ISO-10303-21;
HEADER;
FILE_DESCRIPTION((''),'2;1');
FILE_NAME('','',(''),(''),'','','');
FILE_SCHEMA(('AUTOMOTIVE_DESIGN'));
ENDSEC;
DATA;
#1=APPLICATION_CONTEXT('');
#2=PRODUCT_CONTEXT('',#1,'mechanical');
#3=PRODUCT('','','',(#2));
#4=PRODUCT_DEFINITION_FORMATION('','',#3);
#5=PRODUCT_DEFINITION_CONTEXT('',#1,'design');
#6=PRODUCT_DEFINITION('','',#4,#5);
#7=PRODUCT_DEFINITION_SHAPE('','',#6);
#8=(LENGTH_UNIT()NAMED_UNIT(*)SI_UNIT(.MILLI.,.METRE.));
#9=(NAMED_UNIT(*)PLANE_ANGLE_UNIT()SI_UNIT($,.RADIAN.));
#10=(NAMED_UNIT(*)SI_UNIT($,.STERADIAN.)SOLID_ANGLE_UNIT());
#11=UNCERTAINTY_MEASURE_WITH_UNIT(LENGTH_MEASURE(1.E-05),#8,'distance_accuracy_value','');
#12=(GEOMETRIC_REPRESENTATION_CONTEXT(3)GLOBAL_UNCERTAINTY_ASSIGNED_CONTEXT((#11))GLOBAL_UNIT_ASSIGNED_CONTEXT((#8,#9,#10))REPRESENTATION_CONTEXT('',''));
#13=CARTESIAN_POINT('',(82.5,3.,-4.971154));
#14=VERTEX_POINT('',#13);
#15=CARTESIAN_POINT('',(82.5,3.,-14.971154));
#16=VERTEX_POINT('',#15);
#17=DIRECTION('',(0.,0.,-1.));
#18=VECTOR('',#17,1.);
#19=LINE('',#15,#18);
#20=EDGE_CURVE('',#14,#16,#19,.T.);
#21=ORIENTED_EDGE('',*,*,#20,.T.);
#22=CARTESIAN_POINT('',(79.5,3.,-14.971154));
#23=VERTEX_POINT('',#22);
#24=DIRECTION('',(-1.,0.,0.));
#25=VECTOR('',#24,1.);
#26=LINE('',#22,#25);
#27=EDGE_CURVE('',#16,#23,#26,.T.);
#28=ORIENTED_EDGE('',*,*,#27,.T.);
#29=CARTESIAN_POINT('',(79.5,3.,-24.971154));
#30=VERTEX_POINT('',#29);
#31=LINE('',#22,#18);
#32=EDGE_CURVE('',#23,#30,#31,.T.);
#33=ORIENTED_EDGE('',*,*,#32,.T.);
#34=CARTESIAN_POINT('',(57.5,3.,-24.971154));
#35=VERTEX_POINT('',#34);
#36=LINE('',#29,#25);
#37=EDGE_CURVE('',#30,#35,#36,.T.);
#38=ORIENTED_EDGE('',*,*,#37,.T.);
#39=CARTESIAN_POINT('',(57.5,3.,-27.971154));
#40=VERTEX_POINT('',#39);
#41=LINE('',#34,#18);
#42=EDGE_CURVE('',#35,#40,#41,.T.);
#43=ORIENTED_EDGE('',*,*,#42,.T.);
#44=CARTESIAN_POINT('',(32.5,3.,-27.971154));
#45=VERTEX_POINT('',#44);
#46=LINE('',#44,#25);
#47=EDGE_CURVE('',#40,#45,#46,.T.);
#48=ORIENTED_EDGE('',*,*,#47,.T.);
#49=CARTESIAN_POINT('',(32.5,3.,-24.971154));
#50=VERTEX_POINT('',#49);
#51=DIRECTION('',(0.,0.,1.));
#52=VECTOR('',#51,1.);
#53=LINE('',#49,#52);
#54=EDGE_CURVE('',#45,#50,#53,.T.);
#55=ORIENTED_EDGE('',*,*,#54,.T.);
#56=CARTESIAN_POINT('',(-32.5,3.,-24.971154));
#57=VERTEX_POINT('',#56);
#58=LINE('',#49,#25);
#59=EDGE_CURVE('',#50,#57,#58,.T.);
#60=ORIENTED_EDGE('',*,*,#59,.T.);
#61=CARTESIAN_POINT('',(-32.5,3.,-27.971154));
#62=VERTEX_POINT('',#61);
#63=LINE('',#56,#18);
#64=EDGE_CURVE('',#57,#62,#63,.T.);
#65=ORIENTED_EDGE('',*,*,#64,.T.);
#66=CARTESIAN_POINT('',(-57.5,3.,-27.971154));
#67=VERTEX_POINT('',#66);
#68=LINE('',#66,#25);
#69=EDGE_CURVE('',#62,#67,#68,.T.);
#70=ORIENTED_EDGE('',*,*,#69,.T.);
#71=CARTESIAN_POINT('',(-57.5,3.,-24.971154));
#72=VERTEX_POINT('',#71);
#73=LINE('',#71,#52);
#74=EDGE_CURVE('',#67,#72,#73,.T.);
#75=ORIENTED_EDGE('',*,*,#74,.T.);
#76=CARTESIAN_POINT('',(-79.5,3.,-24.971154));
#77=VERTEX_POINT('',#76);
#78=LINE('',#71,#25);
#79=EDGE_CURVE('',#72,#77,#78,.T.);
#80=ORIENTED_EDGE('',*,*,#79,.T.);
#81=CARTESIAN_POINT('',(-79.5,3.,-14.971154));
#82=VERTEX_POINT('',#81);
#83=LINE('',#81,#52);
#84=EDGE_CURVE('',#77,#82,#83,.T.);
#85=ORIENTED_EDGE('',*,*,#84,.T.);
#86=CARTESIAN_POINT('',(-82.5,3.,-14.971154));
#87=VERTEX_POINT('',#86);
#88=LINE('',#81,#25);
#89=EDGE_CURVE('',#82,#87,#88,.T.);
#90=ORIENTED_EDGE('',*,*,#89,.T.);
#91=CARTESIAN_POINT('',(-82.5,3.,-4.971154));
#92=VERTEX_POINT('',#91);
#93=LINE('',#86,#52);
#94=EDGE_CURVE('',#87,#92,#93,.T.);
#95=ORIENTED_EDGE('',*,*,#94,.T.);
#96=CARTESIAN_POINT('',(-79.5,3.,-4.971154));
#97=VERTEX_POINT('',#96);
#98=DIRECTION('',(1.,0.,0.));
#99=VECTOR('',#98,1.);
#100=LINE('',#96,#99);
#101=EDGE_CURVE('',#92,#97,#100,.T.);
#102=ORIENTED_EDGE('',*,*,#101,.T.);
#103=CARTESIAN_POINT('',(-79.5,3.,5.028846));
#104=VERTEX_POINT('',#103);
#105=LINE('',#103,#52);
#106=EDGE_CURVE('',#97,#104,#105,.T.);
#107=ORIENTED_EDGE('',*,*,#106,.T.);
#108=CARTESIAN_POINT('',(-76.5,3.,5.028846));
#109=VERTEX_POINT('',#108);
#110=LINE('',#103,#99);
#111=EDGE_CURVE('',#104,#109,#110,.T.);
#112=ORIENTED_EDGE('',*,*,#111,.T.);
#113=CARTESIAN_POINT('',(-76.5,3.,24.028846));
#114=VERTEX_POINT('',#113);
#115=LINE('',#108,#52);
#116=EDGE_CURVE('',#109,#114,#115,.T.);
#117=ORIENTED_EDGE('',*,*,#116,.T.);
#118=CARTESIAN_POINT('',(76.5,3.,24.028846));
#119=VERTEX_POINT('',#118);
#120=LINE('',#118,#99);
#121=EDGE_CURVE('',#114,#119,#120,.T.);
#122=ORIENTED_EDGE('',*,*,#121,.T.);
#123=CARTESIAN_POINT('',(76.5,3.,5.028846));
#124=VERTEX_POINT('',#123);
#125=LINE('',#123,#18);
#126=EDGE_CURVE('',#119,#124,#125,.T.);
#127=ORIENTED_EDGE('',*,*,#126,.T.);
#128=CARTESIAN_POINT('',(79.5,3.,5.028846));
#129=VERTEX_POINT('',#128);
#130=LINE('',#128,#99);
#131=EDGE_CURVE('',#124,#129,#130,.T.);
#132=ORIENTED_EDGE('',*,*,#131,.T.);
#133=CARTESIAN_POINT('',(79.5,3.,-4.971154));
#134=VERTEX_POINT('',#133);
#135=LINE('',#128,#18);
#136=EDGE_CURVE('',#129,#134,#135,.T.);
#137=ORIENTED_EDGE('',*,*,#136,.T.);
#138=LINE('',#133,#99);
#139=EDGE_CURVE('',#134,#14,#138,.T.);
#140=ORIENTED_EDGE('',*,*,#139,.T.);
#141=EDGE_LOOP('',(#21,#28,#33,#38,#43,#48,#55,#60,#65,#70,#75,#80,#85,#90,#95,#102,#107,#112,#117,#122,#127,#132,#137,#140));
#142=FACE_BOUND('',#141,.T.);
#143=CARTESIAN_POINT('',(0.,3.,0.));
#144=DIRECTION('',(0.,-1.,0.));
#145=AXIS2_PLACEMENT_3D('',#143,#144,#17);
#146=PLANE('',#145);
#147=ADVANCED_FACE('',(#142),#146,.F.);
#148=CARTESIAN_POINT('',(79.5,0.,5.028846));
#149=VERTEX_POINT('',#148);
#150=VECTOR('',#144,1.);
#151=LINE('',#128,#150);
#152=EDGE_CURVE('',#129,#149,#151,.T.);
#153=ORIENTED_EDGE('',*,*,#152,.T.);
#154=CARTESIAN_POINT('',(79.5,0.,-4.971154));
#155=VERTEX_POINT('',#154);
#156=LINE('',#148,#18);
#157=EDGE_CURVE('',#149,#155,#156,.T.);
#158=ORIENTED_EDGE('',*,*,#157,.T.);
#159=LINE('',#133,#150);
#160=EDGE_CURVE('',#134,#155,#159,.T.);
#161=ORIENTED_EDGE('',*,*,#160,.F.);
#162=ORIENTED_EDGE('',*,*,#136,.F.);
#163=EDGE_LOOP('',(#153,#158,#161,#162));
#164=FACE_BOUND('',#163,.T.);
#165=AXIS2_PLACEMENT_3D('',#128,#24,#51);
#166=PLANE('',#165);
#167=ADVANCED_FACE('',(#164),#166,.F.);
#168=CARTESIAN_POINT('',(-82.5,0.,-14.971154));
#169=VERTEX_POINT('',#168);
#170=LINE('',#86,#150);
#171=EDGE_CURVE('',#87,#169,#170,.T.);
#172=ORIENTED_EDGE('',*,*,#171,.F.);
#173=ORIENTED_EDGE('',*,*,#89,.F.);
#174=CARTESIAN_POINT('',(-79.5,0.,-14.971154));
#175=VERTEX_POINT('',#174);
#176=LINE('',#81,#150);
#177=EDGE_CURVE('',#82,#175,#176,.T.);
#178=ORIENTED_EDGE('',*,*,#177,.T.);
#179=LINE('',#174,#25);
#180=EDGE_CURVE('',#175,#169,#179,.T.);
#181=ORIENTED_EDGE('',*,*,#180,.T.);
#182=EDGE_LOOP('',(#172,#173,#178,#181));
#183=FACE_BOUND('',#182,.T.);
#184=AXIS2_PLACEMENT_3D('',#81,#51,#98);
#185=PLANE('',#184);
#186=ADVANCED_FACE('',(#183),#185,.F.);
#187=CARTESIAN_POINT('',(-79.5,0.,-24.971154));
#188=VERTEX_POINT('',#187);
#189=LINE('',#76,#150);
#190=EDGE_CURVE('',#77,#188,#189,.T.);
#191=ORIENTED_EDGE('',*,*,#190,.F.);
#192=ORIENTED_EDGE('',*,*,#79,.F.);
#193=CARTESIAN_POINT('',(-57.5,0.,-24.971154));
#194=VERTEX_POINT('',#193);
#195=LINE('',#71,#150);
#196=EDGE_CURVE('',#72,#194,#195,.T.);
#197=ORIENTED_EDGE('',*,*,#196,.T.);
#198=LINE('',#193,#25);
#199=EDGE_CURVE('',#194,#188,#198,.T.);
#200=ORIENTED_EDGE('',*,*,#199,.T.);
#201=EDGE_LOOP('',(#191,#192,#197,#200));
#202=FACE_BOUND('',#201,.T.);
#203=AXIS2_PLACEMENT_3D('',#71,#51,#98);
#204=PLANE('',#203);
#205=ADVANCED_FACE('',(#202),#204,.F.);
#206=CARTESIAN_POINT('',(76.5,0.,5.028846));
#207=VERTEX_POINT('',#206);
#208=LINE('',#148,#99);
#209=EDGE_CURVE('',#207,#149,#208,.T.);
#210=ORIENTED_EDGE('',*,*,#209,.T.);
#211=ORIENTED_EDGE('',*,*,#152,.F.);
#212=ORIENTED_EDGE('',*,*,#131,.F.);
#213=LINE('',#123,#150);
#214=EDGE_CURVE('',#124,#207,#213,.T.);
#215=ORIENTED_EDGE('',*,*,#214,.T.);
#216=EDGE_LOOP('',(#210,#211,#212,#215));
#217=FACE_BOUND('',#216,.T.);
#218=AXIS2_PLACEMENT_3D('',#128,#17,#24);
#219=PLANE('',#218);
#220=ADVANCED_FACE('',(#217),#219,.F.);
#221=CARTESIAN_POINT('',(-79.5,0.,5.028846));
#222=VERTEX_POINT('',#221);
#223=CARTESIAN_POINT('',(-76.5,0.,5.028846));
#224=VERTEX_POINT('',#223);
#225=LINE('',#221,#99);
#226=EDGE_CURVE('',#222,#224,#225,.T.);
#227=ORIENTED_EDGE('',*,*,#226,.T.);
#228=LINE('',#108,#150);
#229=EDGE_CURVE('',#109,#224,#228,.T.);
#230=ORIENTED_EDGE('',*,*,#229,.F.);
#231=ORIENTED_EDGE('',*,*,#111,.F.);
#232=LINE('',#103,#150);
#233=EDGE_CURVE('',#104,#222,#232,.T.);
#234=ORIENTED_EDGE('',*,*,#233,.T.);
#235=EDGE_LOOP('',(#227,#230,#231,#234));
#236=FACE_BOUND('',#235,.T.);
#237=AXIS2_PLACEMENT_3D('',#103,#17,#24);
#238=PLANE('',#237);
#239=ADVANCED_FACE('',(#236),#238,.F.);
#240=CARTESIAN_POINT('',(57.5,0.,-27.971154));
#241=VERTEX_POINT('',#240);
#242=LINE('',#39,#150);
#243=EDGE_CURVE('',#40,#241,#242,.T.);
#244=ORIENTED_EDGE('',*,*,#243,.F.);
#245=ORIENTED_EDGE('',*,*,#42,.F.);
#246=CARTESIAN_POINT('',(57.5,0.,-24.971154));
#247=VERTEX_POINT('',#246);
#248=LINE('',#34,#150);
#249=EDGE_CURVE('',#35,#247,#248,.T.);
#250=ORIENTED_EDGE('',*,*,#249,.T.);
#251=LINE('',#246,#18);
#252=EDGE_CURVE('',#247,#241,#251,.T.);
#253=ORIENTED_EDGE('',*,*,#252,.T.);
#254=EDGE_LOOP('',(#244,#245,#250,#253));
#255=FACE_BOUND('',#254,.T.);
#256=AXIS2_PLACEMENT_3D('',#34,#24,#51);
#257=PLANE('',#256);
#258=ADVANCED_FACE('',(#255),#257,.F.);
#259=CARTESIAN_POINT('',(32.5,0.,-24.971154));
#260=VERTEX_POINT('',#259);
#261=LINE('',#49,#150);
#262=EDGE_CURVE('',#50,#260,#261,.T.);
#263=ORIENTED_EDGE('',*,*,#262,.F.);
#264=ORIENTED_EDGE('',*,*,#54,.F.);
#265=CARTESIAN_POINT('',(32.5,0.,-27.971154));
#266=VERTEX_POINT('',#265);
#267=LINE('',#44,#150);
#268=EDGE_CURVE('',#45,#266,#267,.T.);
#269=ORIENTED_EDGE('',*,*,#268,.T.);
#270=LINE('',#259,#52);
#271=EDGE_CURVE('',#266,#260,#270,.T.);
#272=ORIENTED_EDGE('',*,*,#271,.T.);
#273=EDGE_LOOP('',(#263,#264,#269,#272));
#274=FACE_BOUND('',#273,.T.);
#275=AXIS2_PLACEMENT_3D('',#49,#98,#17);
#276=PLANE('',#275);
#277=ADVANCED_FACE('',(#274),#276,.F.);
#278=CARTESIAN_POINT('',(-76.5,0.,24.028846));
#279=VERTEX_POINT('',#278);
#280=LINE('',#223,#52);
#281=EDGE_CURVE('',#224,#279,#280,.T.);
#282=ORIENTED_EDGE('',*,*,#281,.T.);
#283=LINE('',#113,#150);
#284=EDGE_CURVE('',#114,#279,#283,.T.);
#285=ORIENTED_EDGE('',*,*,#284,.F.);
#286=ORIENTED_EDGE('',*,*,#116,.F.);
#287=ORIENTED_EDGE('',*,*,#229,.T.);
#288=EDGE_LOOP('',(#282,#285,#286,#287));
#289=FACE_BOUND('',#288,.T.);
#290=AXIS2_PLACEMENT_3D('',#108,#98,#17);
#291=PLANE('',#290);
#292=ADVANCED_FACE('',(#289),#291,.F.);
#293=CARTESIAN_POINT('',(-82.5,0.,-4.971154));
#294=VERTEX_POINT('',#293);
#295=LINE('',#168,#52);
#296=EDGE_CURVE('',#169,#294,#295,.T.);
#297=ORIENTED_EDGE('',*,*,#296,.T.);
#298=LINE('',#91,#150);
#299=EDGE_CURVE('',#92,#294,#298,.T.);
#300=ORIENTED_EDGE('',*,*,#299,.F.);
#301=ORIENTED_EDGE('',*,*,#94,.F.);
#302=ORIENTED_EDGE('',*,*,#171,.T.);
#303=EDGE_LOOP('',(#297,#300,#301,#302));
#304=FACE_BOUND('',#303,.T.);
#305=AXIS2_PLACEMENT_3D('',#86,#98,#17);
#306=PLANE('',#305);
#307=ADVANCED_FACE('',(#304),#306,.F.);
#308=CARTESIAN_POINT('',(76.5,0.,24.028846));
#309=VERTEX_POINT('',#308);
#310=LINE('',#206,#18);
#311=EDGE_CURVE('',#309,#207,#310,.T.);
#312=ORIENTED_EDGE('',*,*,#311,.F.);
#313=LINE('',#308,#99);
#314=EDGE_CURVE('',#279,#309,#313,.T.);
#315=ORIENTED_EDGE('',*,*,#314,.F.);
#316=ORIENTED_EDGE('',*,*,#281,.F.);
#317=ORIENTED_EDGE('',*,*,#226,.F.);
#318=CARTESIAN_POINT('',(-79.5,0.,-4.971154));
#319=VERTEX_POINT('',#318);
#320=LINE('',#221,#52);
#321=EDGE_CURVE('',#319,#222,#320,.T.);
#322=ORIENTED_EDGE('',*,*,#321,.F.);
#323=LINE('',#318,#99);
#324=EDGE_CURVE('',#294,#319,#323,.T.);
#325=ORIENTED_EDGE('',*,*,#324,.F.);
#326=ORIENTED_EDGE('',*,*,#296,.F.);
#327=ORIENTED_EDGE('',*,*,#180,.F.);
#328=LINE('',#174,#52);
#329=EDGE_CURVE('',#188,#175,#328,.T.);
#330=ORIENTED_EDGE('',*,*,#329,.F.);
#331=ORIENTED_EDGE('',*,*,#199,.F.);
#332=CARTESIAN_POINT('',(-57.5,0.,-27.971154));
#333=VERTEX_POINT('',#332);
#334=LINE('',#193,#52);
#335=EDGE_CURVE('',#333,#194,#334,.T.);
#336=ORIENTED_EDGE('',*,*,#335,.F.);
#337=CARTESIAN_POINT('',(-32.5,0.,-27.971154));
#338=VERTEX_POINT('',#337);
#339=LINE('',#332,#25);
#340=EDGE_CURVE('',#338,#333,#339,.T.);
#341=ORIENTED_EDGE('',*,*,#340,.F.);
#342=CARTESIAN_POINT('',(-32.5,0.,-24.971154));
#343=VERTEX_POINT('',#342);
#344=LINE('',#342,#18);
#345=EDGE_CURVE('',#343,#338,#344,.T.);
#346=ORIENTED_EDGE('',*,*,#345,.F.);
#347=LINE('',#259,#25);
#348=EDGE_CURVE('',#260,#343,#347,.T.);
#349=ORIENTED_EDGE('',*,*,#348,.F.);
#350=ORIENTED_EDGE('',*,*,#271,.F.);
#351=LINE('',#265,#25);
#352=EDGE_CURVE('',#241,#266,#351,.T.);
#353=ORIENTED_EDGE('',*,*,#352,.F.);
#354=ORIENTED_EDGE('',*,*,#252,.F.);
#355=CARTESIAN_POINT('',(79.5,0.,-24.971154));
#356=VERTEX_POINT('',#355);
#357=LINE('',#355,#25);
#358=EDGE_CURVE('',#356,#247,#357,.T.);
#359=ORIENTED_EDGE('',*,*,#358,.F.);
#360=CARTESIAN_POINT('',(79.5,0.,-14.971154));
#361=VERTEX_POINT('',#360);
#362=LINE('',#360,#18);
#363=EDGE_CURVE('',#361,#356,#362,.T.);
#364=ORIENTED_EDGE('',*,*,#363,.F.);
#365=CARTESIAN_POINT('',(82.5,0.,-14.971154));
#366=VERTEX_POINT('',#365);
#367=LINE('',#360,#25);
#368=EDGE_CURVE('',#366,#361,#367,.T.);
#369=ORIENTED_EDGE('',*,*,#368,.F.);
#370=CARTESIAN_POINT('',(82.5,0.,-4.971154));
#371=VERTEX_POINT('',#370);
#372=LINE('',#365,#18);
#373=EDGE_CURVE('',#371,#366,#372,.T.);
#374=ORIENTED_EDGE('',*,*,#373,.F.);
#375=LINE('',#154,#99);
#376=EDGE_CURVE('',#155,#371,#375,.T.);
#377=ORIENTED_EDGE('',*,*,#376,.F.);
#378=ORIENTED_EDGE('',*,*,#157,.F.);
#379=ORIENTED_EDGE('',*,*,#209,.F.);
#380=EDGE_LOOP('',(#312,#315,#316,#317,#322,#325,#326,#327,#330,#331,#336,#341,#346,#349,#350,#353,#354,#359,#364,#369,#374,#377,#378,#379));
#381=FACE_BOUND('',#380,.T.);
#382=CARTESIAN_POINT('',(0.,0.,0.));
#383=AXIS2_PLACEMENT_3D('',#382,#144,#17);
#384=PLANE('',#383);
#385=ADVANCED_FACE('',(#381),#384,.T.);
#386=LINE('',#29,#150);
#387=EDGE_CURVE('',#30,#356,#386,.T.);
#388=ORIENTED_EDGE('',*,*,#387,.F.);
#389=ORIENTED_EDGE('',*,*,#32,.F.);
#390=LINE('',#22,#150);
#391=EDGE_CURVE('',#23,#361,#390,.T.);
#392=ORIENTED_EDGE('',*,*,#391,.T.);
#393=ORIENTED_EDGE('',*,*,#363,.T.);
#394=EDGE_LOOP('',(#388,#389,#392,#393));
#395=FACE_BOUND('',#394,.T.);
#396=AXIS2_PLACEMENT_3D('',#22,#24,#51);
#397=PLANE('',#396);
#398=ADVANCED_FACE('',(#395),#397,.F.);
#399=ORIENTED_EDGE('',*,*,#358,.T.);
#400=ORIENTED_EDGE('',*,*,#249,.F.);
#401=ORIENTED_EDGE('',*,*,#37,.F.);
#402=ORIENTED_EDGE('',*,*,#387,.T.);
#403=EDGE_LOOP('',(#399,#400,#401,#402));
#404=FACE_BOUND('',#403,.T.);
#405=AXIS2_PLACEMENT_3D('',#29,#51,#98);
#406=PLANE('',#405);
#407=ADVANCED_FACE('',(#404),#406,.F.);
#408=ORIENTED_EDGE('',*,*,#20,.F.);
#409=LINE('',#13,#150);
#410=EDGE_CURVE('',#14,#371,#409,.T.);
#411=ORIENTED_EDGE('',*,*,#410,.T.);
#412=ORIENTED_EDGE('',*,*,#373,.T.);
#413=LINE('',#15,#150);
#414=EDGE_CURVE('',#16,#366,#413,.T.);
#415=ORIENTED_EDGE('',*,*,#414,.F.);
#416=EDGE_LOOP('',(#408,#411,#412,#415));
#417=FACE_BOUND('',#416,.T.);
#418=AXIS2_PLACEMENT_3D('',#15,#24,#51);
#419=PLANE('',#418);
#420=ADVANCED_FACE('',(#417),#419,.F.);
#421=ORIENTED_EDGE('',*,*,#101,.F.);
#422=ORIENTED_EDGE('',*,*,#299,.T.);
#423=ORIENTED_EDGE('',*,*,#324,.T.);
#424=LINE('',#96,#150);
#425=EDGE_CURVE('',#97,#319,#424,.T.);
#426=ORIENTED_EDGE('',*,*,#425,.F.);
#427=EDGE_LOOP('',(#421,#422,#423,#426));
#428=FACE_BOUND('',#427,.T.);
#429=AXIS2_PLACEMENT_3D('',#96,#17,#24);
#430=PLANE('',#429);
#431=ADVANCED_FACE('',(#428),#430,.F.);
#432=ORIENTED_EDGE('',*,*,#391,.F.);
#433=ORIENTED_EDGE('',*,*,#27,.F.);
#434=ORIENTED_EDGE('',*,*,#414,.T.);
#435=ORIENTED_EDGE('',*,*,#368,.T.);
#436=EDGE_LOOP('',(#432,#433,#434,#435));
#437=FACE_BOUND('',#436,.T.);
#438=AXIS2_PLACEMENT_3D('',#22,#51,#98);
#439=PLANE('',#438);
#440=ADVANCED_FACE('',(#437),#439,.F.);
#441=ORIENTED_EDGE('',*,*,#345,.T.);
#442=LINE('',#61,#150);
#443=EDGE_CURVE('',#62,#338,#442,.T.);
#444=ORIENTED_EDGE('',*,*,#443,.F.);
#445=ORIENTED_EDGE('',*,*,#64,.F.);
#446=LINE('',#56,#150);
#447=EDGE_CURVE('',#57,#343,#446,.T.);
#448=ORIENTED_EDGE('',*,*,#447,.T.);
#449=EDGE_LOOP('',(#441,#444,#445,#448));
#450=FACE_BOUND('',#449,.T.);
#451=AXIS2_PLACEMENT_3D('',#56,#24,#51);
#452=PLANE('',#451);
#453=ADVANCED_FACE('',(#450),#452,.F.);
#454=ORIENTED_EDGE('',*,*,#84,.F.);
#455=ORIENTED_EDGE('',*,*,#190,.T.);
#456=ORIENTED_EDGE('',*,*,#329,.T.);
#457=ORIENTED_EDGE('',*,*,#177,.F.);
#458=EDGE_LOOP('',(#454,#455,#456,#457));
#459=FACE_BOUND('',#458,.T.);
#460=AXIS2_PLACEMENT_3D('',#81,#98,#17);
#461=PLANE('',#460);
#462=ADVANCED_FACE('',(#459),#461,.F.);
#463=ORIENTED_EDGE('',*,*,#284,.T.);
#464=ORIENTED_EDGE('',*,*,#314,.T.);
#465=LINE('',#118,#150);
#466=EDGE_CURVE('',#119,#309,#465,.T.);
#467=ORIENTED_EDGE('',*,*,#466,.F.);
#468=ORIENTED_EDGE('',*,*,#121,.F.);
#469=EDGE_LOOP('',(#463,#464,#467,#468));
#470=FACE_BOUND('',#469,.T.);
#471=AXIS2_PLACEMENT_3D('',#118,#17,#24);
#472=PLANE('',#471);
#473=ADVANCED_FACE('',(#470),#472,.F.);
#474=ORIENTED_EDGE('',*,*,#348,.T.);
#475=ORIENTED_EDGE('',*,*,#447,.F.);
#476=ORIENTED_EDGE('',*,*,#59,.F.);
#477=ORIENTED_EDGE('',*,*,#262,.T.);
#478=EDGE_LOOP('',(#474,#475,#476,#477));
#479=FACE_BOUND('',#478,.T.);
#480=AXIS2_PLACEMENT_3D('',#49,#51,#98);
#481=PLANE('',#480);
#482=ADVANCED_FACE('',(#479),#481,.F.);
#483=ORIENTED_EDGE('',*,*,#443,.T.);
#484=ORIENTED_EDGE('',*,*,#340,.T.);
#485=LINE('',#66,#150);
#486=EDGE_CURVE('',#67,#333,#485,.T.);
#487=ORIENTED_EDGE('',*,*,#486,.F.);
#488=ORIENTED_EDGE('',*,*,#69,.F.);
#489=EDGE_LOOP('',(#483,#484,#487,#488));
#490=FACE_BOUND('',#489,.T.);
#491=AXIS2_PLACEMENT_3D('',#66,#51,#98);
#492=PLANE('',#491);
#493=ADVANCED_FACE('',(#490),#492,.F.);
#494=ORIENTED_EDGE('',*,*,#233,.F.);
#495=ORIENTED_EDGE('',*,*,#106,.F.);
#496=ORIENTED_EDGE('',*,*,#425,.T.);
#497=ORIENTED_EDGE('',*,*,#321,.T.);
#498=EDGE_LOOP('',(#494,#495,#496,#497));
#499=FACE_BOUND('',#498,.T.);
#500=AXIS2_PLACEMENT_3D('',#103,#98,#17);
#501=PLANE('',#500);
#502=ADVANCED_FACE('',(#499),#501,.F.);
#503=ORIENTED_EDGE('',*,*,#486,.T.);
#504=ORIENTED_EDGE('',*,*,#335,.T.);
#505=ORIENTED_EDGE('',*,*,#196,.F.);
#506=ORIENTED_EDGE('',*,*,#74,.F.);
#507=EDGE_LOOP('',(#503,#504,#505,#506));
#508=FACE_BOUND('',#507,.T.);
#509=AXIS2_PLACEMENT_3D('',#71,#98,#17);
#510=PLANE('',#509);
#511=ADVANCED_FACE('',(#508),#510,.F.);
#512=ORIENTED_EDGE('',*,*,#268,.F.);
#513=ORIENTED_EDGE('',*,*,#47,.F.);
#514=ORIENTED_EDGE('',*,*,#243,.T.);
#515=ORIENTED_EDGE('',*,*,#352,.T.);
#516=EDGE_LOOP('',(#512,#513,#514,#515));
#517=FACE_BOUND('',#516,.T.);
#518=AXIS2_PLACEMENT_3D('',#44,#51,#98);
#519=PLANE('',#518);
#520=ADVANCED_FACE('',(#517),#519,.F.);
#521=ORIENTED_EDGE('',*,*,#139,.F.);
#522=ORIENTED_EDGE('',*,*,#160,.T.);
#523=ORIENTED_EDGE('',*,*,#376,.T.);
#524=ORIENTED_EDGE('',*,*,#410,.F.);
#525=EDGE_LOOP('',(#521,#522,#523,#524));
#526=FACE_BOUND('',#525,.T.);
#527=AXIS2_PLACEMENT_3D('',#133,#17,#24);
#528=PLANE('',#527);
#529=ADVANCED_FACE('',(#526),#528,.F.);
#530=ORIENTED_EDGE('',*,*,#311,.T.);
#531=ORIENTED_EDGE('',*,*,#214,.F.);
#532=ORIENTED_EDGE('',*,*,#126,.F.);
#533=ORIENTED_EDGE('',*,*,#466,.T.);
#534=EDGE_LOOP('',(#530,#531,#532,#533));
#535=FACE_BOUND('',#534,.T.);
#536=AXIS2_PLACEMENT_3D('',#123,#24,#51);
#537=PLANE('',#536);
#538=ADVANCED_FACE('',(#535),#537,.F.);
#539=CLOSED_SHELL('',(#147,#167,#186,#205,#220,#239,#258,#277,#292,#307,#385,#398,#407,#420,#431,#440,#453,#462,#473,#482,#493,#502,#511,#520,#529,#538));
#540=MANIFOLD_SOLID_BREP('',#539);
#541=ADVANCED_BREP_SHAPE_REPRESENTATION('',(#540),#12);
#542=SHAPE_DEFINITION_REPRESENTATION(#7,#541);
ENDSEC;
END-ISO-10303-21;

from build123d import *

# Parameters (mm, degrees)
BOSS_EXTRUDE1_DEPTH = 3


with BuildPart() as part:
    # Sketch2 → Boss-Extrude1 (new body)
    with BuildSketch(Plane(origin=(0, 0, 0), x_dir=(1, 0, 0), z_dir=(0, 1, 0))):
        Polygon((-79.5, 14.971153846), (-79.5, 24.971153846), (-57.5, 24.971153846), (-57.5, 27.971153846), (-32.5, 27.971153846), (-32.5, 24.971153846), (32.5, 24.971153846), (32.5, 27.971153846), (57.5, 27.971153846), (57.5, 24.971153846), (79.5, 24.971153846), (79.5, 14.971153846), (82.5, 14.971153846), (82.5, 4.971153846), (79.5, 4.971153846), (79.5, -5.028846154), (76.5, -5.028846154), (76.5, -24.028846154), (-76.5, -24.028846154), (-76.5, -5.028846154), (-79.5, -5.028846154), (-79.5, 4.971153846), (-82.5, 4.971153846), (-82.5, 14.971153846), align=None)
    extrude(amount=BOSS_EXTRUDE1_DEPTH)


solid = part.part
